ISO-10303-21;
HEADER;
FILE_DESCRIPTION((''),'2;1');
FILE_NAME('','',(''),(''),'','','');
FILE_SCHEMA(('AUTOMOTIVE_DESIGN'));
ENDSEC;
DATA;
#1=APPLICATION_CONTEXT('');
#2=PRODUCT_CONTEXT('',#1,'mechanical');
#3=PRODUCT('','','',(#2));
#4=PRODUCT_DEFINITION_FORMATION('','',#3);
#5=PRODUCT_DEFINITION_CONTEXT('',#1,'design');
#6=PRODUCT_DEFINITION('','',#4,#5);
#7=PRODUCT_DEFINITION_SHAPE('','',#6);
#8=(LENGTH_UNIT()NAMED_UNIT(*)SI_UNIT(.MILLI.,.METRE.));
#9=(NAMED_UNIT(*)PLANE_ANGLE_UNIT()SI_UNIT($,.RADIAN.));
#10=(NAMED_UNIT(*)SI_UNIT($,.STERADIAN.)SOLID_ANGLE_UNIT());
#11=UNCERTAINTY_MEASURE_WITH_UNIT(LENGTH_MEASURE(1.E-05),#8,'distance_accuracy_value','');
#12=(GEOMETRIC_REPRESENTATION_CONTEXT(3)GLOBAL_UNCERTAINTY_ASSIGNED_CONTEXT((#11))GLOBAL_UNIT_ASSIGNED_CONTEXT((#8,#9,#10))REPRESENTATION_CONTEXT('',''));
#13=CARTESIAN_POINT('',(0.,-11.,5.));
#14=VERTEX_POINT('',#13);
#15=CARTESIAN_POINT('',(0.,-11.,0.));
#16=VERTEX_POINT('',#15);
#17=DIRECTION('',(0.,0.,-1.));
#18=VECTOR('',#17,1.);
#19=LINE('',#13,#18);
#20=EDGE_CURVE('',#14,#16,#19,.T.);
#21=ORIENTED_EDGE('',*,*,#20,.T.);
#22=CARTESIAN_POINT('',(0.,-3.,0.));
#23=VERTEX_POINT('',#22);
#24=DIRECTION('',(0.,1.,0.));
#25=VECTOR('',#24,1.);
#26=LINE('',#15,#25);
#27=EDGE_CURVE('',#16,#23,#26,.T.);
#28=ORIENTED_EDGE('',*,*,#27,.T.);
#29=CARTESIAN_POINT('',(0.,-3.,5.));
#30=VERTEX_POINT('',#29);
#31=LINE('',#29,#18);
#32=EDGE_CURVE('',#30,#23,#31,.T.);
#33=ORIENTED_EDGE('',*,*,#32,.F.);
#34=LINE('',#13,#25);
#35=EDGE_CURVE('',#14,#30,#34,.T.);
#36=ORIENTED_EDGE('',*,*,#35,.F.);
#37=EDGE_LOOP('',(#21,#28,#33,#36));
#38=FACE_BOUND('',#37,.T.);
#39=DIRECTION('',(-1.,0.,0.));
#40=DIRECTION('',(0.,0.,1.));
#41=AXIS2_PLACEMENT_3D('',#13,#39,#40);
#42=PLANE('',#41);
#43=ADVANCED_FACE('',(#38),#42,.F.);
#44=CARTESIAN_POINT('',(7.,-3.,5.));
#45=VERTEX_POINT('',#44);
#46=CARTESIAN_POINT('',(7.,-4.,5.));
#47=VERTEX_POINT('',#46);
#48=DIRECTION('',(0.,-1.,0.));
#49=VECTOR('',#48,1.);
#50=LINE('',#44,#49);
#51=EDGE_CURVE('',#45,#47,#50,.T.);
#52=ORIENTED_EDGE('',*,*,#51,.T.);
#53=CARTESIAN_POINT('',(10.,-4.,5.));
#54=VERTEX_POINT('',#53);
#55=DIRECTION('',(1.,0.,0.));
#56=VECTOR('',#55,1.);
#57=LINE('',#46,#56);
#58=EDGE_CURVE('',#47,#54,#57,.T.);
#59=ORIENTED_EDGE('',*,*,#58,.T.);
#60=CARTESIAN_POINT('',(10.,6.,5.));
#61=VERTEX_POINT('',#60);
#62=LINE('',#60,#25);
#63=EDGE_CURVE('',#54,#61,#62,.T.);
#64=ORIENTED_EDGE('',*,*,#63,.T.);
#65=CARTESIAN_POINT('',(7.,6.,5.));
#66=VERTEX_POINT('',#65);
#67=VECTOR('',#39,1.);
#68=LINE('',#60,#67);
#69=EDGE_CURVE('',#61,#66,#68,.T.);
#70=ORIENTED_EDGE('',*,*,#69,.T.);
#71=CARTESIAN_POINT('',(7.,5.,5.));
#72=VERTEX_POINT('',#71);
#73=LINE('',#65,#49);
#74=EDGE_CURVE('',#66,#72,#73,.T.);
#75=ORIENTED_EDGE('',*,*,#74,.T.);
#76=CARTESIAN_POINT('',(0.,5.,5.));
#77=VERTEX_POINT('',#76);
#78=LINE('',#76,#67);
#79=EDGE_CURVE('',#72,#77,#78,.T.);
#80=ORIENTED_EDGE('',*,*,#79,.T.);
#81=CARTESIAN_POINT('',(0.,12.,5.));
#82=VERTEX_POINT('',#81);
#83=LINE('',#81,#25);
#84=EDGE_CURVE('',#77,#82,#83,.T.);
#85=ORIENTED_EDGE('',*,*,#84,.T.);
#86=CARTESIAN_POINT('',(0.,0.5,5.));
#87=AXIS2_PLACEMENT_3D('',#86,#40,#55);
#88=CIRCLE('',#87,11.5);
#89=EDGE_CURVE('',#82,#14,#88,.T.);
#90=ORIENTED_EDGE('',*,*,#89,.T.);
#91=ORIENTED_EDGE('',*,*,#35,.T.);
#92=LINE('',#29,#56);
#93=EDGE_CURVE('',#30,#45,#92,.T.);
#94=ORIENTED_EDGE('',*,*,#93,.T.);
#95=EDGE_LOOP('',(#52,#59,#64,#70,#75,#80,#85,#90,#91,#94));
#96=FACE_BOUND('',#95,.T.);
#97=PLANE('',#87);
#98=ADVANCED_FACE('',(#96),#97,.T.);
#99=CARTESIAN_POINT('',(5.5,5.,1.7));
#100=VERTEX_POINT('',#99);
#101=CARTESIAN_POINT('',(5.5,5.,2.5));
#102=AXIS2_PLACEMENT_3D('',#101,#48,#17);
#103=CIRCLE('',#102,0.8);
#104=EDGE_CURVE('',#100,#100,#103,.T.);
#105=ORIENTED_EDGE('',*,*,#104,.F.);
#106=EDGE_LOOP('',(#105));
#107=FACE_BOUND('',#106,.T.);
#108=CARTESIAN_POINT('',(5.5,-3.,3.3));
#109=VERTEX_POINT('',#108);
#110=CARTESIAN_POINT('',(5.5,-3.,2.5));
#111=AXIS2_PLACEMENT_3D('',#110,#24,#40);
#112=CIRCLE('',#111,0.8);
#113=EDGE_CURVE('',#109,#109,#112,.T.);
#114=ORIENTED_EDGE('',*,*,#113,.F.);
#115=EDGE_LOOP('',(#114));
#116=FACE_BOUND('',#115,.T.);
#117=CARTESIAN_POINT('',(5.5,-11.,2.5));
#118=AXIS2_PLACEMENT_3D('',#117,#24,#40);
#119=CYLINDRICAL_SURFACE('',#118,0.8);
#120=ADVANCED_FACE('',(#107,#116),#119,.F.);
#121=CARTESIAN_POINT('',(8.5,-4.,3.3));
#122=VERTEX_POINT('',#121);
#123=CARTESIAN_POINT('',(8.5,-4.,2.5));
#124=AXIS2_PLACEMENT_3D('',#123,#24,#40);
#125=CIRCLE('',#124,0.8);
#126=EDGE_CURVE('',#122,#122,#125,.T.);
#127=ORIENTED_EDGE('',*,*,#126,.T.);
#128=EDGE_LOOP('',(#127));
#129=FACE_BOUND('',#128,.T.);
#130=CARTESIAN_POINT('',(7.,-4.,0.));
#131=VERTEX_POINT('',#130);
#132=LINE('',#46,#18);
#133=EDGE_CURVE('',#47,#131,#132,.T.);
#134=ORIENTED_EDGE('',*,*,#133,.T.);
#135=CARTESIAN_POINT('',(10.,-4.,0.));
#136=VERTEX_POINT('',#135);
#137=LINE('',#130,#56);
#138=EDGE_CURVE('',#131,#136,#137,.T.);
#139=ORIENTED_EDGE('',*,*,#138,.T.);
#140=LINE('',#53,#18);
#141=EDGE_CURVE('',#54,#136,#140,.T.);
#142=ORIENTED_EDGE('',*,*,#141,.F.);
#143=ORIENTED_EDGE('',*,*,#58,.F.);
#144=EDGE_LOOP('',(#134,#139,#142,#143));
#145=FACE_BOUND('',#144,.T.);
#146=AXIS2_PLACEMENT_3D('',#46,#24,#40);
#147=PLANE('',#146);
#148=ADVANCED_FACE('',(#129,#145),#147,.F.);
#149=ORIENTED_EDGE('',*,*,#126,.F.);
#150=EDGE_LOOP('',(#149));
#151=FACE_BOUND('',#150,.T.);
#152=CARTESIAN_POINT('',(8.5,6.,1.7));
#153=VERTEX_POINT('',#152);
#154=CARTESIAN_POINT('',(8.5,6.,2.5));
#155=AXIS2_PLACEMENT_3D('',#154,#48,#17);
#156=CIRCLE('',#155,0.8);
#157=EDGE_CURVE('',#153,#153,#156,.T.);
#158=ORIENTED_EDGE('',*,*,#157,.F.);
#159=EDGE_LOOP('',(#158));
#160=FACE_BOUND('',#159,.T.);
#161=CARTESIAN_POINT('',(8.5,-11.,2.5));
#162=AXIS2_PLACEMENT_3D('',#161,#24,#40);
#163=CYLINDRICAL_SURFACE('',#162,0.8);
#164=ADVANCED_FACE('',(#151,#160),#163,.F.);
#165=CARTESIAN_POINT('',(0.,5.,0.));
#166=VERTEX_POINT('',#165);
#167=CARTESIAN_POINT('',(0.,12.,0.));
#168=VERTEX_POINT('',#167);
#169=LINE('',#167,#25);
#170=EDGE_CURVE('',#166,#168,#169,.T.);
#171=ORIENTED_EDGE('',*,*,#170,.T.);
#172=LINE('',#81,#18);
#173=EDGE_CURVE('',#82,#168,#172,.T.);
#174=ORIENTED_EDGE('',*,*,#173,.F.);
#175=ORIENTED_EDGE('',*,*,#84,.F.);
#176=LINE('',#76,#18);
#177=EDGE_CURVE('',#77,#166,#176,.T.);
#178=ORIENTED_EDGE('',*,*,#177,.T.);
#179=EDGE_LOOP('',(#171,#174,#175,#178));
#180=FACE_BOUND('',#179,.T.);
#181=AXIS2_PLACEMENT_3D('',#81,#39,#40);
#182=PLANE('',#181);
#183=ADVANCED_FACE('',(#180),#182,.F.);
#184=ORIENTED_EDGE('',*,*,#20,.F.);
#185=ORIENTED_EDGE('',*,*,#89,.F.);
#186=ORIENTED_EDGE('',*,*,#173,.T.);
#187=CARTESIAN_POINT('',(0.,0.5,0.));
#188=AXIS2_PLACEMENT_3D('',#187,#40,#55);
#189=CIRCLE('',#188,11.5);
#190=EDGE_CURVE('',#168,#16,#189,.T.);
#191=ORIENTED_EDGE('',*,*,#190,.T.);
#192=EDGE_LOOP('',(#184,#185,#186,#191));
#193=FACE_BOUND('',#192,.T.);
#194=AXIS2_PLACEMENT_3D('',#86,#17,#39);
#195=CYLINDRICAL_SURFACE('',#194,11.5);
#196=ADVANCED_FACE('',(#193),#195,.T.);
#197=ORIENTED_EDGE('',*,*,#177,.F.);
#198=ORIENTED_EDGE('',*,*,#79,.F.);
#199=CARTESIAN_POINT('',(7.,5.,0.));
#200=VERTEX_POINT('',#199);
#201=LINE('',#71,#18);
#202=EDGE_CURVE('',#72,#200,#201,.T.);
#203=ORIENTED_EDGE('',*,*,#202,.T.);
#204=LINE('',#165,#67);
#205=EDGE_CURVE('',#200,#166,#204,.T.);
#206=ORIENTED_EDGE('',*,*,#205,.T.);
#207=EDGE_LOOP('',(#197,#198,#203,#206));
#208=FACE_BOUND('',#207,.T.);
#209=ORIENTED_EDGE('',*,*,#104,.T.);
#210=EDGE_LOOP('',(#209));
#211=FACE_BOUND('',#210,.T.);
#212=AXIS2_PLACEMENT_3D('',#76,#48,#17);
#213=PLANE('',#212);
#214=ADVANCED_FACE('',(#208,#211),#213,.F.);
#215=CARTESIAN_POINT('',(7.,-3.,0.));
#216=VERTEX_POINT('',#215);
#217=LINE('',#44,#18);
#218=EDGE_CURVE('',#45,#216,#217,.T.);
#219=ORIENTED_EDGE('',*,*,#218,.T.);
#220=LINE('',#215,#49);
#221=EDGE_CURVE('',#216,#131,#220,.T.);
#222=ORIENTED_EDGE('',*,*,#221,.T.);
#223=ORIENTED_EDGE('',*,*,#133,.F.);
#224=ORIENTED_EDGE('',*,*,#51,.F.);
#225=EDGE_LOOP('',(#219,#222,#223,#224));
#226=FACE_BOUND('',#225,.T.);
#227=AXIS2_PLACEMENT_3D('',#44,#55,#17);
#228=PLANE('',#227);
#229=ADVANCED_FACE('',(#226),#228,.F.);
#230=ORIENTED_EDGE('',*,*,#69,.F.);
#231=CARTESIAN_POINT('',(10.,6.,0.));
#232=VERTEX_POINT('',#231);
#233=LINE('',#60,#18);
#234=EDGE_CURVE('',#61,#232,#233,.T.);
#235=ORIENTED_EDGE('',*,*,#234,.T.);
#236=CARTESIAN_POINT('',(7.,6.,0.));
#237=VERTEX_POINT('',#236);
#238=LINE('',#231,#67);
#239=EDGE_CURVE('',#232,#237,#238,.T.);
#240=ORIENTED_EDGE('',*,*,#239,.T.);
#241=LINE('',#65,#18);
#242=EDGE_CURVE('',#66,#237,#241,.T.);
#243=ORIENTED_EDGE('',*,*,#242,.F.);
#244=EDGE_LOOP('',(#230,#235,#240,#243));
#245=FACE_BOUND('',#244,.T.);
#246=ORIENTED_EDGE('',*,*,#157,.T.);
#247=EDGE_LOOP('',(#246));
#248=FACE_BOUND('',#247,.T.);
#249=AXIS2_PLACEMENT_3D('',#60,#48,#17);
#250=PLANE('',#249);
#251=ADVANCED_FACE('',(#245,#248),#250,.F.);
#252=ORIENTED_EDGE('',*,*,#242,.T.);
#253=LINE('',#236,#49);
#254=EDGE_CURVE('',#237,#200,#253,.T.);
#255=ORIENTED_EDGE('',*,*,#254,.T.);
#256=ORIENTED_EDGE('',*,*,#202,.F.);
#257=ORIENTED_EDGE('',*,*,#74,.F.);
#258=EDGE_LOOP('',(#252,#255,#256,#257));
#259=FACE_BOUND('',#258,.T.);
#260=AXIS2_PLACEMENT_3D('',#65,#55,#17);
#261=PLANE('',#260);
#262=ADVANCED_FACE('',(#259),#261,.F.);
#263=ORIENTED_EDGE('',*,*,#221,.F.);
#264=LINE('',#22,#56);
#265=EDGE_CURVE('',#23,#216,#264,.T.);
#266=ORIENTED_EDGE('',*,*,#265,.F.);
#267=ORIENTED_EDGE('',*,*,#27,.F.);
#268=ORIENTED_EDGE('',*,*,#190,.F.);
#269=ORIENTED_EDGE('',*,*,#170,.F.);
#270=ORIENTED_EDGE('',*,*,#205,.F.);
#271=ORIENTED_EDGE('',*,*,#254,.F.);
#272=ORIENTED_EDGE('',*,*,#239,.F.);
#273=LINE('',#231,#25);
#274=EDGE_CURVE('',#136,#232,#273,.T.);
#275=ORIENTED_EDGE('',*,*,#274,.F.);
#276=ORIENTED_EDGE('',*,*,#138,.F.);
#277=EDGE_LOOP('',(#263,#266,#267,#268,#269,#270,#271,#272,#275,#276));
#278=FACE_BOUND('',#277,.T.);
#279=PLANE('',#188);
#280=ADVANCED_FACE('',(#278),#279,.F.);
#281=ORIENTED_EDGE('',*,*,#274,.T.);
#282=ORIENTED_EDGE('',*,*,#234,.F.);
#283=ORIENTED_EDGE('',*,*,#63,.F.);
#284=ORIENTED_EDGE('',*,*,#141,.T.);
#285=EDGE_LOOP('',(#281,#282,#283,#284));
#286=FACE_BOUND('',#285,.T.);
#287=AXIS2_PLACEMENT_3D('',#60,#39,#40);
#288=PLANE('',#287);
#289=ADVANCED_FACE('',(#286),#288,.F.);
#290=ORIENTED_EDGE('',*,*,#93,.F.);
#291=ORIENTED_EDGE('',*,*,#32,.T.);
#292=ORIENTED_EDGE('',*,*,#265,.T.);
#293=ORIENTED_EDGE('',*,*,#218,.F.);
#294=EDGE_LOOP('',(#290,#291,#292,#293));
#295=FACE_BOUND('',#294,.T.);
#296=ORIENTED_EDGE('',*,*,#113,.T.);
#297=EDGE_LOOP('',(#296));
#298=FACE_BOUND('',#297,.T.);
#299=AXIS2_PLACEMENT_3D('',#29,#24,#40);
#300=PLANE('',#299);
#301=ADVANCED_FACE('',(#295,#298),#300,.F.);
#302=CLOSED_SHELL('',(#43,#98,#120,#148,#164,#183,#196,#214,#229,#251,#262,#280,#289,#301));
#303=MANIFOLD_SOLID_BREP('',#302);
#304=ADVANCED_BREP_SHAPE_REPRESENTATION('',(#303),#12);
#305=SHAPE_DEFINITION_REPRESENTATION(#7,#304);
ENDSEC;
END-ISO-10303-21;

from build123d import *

# Parameters (mm, degrees)
BOSS_EXTRUDE1_DEPTH = 5
CUT_EXTRUDE1_START  = 11
SKETCH2_R           = 0.8
CUT_EXTRUDE1_DEPTH  = 23


with BuildPart() as part:
    # Sketch1 → Boss-Extrude1 (new body)
    with BuildSketch(Plane.XY):
        with BuildLine():
            Line((0, -11), (0, -3))
            Line((0, -3), (7, -3))
            Line((7, -3), (7, -4))
            Line((7, -4), (10, -4))
            Line((10, -4), (10, 6))
            Line((10, 6), (7, 6))
            Line((7, 6), (7, 5))
            Line((7, 5), (0, 5))
            Line((0, 5), (0, 12))
            ThreePointArc((0, 12), (-11.5, 0.5), (0, -11))
        make_face()
    extrude(amount=BOSS_EXTRUDE1_DEPTH)

    # Sketch2 → Cut-Extrude1 (cut, through all)
    with BuildSketch(Plane(origin=(0, 0, 0), x_dir=(1, 0, 0), z_dir=(0, 1, 0)).offset(CUT_EXTRUDE1_START)):
        with Locations((8.5, -2.5)):
            Circle(SKETCH2_R)
        with Locations((5.5, -2.5)):
            Circle(SKETCH2_R)
    extrude(amount=-CUT_EXTRUDE1_DEPTH, mode=Mode.SUBTRACT)


solid = part.part
